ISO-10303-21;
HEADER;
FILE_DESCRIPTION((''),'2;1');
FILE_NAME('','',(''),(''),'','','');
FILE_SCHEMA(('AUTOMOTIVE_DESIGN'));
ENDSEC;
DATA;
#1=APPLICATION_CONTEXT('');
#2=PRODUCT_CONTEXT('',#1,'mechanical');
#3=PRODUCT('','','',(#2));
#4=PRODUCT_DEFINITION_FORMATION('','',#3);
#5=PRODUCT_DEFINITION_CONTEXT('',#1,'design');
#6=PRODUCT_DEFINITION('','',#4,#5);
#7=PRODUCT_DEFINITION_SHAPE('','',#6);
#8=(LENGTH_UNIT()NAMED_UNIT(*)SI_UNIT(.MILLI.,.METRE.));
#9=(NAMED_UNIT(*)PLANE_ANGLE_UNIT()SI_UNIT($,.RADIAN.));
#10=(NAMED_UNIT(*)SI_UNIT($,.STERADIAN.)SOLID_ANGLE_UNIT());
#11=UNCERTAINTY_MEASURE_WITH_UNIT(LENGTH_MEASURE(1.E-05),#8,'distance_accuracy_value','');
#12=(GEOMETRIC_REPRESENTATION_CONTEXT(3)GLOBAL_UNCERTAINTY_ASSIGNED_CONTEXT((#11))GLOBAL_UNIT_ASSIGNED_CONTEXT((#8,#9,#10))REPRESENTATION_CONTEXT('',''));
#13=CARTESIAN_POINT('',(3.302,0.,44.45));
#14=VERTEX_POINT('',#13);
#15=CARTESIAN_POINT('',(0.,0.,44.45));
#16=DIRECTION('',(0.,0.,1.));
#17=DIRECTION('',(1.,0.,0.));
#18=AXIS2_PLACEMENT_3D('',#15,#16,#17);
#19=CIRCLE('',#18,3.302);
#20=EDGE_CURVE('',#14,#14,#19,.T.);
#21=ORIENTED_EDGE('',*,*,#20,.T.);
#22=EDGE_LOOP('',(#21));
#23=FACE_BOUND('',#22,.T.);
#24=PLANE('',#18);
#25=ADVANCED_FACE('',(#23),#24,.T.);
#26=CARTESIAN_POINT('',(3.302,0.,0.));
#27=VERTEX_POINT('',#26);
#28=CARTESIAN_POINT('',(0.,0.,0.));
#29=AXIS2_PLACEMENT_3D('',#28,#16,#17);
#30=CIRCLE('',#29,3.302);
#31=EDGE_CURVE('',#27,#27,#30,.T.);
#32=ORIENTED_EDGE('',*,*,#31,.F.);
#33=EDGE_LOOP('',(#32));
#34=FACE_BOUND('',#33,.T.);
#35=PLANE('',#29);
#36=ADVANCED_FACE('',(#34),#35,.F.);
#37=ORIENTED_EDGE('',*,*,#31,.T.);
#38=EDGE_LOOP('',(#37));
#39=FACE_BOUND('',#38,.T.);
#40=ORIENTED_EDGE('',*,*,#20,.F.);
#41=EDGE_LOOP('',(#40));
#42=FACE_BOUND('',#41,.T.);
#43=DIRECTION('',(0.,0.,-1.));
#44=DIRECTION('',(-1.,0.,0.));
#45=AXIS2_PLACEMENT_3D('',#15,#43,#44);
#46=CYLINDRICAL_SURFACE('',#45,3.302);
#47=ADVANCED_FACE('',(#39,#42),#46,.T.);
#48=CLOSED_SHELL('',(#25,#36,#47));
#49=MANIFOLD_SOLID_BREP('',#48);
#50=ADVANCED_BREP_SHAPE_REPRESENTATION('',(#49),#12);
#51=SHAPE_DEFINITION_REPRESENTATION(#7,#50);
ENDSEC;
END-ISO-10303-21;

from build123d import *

# Parameters (mm, degrees)
SKETCH1_R      = 3.302
EXTRUDE1_DEPTH = 44.45


with BuildPart() as part:
    # Sketch1 → Extrude1 (new body)
    with BuildSketch(Plane.XY):
        Circle(SKETCH1_R)
    extrude(amount=EXTRUDE1_DEPTH)


solid = part.part
